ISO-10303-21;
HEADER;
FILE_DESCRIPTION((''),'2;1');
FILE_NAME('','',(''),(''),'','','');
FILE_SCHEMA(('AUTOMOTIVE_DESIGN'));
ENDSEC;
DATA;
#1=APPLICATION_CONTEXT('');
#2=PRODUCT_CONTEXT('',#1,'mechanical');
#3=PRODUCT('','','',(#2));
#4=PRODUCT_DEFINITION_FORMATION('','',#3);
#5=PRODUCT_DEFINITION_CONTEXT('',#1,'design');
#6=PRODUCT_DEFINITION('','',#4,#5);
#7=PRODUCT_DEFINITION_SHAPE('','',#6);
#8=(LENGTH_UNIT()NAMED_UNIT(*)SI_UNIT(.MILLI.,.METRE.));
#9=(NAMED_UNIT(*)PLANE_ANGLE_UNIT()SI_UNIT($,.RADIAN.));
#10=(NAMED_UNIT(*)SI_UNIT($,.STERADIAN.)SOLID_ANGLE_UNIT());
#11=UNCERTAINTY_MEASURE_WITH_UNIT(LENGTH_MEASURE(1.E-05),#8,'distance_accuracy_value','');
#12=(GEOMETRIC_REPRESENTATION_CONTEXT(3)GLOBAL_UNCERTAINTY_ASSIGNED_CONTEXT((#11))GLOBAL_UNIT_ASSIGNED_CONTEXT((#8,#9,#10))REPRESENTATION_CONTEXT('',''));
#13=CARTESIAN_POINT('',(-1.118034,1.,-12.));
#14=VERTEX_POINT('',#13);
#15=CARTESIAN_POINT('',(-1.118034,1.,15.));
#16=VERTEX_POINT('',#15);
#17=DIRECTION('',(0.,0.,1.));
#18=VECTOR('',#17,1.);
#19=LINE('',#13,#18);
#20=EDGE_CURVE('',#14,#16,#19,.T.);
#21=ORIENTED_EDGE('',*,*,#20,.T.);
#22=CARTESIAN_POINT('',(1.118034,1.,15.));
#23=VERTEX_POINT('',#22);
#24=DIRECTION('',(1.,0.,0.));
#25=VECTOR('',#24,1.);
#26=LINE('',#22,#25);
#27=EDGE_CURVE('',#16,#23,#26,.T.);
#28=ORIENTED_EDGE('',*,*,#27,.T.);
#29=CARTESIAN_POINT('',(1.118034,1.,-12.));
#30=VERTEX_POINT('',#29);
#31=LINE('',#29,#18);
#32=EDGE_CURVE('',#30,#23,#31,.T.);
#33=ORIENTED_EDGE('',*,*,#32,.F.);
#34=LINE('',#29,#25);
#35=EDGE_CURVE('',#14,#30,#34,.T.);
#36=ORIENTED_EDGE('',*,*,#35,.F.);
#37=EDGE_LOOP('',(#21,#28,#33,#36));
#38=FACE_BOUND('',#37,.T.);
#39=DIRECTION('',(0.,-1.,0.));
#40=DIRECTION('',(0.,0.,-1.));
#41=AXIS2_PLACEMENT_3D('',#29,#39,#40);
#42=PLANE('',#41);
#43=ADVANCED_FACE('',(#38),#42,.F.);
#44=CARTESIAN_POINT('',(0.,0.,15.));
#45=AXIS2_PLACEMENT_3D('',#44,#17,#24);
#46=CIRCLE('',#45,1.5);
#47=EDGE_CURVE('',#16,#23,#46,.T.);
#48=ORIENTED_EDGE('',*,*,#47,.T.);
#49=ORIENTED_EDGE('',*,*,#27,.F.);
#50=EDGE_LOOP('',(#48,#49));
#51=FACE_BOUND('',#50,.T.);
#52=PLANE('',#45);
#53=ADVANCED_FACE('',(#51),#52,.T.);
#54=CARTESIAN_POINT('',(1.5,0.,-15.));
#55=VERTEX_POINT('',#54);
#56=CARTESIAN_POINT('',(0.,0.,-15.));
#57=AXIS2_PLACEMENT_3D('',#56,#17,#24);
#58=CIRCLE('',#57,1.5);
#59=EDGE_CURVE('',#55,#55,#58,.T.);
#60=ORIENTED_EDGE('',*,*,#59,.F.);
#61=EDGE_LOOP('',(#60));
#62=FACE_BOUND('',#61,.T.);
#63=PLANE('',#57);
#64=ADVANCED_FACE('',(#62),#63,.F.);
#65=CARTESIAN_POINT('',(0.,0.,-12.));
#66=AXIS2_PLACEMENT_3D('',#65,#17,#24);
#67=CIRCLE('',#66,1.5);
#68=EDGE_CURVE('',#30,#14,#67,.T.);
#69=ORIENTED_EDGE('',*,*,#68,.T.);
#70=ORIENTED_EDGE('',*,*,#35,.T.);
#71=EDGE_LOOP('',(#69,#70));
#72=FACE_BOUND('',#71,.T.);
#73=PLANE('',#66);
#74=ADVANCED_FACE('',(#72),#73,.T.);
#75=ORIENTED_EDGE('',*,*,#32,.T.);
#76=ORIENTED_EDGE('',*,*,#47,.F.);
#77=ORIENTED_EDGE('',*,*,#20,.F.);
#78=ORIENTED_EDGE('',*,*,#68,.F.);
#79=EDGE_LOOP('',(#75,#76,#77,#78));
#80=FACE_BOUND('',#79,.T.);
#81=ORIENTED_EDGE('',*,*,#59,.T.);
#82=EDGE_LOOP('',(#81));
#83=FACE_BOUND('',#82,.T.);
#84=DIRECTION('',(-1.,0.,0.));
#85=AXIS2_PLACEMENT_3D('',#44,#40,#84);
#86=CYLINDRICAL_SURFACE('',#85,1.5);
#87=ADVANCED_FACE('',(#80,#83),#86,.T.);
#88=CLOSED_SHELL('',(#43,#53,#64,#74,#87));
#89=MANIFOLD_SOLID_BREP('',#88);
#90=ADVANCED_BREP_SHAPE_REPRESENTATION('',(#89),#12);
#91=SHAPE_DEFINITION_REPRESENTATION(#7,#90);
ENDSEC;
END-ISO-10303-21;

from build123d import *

# Parameters (mm, degrees)
SKETCH1_R           = 1.5
BOSS_EXTRUDE1_DEPTH = 15
CUT_EXTRUDE1_DEPTH  = 27


with BuildPart() as part:
    # Sketch1 → Boss-Extrude1 (new body, symmetric)
    with BuildSketch(Plane.XY):
        Circle(SKETCH1_R)
    extrude(amount=BOSS_EXTRUDE1_DEPTH, both=True)

    # Sketch2 → Cut-Extrude1 (cut)
    with BuildSketch(Plane.XY.offset(15)):
        with BuildLine():
            Line((1.118033989, 1), (-1.118033989, 1))
            ThreePointArc((-1.118033989, 1), (0, 1.5), (1.118033989, 1))
        make_face()
    extrude(amount=-CUT_EXTRUDE1_DEPTH, mode=Mode.SUBTRACT)


solid = part.part
